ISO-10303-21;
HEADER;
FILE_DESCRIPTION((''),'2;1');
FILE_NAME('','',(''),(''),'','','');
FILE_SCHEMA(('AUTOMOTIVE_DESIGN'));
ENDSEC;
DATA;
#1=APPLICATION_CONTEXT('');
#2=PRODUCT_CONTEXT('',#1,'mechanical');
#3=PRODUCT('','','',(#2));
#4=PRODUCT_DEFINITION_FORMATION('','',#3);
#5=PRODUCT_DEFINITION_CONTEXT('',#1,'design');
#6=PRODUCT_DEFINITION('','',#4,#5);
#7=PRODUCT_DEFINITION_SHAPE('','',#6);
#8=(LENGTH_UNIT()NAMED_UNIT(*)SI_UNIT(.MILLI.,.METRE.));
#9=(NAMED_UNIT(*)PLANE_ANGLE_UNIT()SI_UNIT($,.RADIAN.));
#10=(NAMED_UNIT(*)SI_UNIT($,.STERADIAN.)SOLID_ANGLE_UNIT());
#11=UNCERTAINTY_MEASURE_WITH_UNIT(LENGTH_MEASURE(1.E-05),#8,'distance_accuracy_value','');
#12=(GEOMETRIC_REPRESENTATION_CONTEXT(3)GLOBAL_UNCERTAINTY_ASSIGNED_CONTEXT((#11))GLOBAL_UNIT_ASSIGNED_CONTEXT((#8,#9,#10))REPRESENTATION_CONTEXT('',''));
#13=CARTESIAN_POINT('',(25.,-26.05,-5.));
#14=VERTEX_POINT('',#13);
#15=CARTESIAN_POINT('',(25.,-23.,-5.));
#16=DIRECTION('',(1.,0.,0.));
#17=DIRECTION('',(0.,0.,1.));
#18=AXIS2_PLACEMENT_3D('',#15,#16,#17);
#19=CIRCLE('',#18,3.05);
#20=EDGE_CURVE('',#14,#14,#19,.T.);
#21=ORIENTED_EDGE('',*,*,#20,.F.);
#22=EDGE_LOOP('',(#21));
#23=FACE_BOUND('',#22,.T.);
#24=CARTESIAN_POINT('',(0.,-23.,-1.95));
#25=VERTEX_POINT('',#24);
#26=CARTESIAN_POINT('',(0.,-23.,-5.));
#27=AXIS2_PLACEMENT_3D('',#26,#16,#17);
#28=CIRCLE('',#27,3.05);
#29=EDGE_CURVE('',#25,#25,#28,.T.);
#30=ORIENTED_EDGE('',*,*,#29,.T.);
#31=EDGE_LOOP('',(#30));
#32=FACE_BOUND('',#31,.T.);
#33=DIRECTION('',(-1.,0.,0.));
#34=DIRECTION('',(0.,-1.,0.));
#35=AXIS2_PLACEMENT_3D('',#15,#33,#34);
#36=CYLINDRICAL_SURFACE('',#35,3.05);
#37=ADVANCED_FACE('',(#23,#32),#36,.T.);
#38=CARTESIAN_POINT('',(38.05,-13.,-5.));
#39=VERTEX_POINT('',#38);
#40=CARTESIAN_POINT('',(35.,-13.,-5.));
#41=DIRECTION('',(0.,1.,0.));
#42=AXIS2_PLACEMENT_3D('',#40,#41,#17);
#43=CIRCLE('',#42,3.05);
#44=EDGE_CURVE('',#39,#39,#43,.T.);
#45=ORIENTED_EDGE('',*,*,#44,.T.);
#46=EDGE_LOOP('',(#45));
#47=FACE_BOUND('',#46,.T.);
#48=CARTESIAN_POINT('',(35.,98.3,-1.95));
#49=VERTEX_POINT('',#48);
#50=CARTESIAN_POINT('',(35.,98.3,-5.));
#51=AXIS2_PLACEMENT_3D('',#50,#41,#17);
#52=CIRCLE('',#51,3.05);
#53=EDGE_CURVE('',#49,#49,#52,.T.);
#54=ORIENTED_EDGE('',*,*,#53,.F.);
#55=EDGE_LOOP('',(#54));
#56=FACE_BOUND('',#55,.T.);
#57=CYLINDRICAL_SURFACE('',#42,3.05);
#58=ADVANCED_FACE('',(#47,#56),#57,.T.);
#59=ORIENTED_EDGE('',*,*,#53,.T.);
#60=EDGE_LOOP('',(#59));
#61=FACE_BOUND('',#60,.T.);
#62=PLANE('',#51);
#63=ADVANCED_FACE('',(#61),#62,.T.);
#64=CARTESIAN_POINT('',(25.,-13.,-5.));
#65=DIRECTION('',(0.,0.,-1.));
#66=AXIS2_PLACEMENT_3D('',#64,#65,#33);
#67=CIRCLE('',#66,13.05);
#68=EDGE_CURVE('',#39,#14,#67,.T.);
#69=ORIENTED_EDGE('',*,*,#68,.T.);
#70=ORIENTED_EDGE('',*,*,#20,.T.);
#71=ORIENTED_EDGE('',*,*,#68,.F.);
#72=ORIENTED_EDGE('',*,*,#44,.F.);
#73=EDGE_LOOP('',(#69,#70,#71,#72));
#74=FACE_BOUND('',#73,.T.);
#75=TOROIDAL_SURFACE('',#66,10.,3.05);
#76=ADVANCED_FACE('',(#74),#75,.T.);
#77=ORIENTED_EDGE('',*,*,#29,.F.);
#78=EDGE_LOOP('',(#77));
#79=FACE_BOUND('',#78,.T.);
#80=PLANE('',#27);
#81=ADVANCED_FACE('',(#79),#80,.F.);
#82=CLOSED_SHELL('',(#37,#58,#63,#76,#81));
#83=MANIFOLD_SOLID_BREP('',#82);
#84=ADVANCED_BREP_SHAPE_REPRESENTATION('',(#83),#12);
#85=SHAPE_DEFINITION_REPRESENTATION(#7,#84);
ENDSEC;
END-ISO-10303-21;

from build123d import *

# Parameters (mm, degrees)
SKETCH2_R           = 3.05
SKETCH3_R           = 3.05
BOSS_EXTRUDE1_DEPTH = 10


with BuildPart() as part:
    # Sweep2: sweep along a path in Sketch1
    with BuildLine(Plane.XY.offset(-5)) as sweep2_path:
        Line((35, 88.3), (35, -13))
        ThreePointArc((35, -13), (32.071067812, -20.071067812), (25, -23))
        Line((25, -23), (0, -23))
    # Sketch2 → Sweep2 (sweep)
    with BuildSketch(Plane(origin=(0, 88.3, 0), x_dir=(1, 0, 0), z_dir=(0, 1, 0))):
        with Locations((35, 5)):
            Circle(SKETCH2_R)
    sweep(path=sweep2_path.line)

    # Sketch3 → Boss-Extrude1 (add)
    with BuildSketch(Plane(origin=(0, 88.3, 0), x_dir=(1, 0, 0), z_dir=(0, 1, 0))):
        with Locations(Location((35, 5, 0), (0, 0, 270))):
            Circle(SKETCH3_R)
    extrude(amount=BOSS_EXTRUDE1_DEPTH)


solid = part.part
